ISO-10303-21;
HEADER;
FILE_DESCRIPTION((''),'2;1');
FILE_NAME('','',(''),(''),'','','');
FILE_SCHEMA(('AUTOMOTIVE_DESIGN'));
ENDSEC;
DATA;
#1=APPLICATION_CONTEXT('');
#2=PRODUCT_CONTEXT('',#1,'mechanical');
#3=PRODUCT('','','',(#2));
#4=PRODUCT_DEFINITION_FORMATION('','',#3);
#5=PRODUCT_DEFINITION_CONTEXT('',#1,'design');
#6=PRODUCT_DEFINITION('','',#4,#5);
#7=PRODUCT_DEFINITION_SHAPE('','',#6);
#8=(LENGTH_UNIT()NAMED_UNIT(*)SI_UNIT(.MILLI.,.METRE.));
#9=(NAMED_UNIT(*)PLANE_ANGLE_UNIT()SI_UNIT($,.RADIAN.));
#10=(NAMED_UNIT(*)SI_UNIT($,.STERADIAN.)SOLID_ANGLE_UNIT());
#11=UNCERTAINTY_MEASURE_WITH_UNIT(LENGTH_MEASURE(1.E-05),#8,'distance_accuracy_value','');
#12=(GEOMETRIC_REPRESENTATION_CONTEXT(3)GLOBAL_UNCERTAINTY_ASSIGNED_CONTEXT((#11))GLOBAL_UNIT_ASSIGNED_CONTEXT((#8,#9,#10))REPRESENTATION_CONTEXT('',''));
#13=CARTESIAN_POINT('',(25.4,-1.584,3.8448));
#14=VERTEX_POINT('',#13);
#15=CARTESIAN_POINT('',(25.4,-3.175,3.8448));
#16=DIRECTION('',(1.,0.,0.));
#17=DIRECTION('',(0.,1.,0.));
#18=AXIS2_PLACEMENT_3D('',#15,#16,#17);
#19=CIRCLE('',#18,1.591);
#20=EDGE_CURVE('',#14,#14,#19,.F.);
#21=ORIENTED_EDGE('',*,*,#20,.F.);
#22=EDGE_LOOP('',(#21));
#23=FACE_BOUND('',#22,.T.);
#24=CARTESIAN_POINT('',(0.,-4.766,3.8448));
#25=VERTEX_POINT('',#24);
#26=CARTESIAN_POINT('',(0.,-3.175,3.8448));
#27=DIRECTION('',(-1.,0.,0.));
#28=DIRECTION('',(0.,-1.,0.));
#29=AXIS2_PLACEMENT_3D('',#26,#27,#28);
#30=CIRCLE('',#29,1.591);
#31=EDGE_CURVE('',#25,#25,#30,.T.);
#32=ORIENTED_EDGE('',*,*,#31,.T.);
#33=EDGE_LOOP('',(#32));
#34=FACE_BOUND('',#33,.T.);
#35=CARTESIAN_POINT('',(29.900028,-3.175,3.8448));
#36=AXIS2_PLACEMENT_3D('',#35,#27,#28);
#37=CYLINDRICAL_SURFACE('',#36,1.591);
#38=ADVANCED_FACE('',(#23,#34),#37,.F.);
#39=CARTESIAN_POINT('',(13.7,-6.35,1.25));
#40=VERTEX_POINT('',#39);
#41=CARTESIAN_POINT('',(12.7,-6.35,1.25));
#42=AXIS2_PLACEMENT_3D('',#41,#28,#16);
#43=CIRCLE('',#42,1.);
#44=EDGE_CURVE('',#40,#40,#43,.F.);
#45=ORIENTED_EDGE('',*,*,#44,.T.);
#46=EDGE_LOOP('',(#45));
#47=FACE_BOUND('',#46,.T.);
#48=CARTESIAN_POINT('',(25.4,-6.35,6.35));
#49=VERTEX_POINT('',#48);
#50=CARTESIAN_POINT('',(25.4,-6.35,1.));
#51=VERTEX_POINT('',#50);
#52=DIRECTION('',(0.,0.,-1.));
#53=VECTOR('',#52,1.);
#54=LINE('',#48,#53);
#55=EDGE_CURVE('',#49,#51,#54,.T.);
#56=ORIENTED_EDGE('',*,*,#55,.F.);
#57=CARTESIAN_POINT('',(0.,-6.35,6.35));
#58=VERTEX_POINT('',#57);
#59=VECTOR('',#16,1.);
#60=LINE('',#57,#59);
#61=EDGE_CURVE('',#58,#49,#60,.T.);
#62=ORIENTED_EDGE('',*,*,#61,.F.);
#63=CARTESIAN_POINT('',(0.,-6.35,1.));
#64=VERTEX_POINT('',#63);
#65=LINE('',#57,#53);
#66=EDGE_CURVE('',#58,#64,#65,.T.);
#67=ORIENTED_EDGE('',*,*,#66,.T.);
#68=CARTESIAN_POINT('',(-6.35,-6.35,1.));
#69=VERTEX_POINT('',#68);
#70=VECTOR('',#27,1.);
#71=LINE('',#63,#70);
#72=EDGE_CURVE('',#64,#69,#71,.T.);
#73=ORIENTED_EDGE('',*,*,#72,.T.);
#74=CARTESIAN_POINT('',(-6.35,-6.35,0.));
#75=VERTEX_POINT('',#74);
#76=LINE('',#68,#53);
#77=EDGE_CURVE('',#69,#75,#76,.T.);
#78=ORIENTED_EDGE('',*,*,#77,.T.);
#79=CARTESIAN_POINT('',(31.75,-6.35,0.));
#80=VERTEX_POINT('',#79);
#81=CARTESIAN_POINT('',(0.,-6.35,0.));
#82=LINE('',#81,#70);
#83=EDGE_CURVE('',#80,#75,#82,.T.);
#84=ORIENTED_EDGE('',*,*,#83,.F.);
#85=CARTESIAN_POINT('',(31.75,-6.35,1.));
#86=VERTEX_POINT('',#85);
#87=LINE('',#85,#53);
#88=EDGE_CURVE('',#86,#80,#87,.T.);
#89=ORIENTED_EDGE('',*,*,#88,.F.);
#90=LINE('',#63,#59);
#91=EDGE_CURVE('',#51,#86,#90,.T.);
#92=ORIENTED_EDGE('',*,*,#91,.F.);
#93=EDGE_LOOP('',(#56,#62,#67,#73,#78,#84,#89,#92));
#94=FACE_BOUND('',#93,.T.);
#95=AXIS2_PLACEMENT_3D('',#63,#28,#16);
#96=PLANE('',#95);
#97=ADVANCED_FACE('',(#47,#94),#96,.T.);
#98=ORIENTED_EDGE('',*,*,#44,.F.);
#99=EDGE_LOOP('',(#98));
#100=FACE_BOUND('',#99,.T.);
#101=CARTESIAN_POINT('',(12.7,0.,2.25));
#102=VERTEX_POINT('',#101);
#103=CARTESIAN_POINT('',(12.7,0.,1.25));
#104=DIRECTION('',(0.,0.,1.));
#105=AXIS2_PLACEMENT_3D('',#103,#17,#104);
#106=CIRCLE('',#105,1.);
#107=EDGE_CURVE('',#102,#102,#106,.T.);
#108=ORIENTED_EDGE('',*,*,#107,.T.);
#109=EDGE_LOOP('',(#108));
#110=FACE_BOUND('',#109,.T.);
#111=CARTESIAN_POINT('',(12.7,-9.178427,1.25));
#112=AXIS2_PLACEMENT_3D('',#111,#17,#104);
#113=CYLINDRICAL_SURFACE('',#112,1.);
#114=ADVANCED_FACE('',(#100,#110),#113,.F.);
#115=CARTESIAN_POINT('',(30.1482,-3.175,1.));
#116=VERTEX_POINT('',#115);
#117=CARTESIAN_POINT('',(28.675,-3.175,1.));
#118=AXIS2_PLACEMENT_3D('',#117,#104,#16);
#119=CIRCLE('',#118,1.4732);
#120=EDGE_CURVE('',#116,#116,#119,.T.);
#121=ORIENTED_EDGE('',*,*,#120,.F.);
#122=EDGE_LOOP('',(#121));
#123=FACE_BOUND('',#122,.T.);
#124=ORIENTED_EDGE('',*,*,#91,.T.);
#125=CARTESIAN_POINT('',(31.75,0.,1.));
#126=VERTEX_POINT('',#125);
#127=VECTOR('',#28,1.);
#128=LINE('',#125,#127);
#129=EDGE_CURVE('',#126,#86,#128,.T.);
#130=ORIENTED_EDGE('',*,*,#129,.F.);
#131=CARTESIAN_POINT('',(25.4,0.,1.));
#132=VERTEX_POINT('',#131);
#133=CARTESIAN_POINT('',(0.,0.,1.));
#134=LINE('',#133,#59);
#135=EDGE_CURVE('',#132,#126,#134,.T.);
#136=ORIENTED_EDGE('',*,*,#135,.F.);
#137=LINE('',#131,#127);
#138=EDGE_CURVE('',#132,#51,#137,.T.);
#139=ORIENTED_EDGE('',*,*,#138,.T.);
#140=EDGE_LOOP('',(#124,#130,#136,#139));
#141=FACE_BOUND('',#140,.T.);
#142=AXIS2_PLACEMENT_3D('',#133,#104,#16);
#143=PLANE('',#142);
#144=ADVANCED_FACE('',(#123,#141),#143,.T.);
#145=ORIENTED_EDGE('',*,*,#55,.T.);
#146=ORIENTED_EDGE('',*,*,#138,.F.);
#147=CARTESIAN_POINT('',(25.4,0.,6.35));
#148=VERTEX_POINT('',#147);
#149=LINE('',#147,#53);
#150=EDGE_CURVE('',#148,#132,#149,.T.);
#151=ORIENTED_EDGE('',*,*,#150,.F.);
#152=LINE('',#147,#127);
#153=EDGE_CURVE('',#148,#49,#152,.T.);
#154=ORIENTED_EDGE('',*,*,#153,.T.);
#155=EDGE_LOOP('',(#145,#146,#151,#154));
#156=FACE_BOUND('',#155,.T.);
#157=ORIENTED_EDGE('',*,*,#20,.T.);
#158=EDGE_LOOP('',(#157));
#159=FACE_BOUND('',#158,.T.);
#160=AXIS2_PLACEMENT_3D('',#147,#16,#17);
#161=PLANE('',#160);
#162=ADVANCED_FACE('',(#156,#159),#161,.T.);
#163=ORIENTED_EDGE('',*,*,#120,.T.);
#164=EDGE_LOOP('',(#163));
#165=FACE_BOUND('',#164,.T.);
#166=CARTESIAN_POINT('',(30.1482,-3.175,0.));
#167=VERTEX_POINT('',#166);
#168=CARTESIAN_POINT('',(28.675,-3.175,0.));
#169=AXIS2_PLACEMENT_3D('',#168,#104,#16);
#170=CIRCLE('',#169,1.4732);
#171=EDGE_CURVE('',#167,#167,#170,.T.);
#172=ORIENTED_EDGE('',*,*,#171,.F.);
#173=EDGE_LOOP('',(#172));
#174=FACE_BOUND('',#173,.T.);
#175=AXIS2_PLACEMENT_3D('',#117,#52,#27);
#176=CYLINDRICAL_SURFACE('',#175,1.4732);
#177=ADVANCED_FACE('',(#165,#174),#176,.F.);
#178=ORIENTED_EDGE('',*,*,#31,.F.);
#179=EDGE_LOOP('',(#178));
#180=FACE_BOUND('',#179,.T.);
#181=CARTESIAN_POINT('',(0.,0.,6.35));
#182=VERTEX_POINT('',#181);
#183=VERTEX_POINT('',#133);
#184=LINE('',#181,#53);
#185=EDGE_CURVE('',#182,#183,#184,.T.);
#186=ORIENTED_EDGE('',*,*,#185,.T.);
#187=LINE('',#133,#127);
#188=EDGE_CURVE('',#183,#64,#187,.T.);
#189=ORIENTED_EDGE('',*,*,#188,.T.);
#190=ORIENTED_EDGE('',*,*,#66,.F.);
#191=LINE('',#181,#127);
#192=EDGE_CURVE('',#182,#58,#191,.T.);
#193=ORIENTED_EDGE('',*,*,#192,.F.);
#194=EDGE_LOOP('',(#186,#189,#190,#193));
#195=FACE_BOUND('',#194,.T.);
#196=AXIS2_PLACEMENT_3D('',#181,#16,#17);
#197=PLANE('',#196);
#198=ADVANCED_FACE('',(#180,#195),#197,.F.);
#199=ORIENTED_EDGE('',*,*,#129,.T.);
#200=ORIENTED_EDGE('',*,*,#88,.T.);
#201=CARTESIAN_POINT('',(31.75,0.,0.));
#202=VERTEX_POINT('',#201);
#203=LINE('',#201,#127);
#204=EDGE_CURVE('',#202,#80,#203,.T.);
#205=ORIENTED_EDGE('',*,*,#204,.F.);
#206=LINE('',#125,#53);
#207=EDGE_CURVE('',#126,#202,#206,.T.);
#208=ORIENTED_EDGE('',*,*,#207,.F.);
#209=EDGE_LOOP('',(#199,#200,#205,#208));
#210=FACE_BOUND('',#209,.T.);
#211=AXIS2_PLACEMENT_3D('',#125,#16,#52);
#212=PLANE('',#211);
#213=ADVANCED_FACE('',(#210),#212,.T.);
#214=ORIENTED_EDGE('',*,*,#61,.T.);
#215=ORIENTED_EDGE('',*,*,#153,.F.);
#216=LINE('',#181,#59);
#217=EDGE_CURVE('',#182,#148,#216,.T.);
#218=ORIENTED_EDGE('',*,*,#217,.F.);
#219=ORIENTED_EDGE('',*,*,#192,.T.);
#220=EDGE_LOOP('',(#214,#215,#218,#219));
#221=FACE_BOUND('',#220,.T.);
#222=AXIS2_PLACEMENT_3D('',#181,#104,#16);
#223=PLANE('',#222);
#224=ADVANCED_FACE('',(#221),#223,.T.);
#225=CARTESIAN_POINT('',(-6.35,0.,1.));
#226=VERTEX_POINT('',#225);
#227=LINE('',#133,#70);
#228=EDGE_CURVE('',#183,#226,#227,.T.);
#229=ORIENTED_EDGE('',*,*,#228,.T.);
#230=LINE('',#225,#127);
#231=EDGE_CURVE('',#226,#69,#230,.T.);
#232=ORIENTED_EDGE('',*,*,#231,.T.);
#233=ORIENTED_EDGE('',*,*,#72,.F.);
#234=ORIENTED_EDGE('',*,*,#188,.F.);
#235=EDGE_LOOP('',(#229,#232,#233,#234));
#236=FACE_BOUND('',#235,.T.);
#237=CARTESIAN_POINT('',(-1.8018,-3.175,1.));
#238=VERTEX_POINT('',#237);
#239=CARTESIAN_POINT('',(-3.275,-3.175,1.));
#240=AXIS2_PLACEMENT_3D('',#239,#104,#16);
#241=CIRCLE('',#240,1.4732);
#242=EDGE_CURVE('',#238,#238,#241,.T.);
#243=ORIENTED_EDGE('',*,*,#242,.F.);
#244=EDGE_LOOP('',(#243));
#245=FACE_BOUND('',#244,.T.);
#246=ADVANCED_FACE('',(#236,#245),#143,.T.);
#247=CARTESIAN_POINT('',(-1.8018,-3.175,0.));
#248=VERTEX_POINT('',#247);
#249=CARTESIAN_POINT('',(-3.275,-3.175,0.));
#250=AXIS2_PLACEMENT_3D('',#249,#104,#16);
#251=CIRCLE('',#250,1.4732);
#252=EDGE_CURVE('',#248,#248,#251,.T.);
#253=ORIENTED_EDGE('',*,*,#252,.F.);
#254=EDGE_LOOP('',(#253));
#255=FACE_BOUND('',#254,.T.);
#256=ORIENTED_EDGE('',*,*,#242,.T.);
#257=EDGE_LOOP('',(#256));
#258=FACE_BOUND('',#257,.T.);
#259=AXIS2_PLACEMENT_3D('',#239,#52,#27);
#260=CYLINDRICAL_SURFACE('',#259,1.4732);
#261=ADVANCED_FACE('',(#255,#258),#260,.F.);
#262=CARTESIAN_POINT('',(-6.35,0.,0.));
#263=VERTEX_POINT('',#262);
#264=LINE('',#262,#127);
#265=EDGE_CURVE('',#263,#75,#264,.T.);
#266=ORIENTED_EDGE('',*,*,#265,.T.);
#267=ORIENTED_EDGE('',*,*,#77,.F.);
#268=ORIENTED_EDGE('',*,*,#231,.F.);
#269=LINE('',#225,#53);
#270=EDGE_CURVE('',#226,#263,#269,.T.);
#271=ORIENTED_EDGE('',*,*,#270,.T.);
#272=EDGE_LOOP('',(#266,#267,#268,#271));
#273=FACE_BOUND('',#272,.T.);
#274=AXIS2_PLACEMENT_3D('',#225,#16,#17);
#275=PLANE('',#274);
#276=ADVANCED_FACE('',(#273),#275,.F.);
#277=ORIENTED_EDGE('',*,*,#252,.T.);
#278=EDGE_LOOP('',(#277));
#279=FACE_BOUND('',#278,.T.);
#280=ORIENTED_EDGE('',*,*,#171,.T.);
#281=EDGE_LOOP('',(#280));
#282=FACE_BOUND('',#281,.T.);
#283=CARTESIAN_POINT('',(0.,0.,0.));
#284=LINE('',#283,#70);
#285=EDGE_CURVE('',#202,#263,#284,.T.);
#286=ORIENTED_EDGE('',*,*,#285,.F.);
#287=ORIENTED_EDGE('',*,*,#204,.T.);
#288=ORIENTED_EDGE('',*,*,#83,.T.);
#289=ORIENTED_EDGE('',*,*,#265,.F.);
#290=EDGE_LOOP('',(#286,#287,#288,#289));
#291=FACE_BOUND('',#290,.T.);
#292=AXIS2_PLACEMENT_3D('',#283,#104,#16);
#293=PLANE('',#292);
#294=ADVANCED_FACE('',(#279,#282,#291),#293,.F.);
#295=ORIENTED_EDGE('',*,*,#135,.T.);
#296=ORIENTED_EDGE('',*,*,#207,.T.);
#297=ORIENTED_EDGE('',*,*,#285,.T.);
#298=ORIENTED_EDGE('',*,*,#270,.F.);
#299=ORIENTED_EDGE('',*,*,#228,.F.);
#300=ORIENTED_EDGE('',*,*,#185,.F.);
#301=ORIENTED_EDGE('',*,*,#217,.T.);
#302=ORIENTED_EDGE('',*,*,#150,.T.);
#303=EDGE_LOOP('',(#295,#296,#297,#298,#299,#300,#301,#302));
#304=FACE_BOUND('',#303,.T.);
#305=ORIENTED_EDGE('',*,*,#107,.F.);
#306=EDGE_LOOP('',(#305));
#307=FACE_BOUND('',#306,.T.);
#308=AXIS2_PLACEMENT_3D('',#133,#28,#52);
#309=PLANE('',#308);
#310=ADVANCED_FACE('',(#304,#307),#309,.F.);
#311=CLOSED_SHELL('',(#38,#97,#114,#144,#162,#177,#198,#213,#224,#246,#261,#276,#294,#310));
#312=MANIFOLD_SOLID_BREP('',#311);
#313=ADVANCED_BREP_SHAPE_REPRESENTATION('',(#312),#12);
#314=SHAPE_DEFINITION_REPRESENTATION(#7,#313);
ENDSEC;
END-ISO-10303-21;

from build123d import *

# Parameters (mm, degrees)
SKETCH1_W             = 6.35
SKETCH1_H             = 6.35
SKETCH1_R             = 1.4732
BOSS_EXTRUDE1_DEPTH   = 1
BOSS_EXTRUDE1_2_DEPTH = 1
SKETCH1_3_W           = 25.4
SKETCH1_3_H           = 6.35
BOSS_EXTRUDE2_DEPTH   = 6.35
SKETCH2_R             = 1.591
CUT_EXTRUDE1_DEPTH    = 25.4
SKETCH3_R             = 1
CUT_EXTRUDE2_DEPTH    = 6.35


with BuildPart() as part:
    # Sketch1 → Boss-Extrude1 (new body)
    with BuildSketch(Plane.XY):
        with Locations((-3.175, -3.175)):
            Rectangle(SKETCH1_W, SKETCH1_H)
        with Locations((-3.275, -3.175)):
            Circle(SKETCH1_R, mode=Mode.SUBTRACT)
    extrude(amount=BOSS_EXTRUDE1_DEPTH)



with BuildPart() as body_2:
    # Sketch1 → Boss-Extrude1 2 (new body)
    with BuildSketch(Plane.XY):
        with Locations((28.575, -3.175)):
            Rectangle(SKETCH1_W, SKETCH1_H)
        with Locations((28.675, -3.175)):
            Circle(SKETCH1_R, mode=Mode.SUBTRACT)
    extrude(amount=BOSS_EXTRUDE1_2_DEPTH)


with BuildPart() as part_1:
    add(part.part)

    add(body_2.part)  # Boss-Extrude2 merges body 2
    # Sketch1<3> → Boss-Extrude2 (add)
    with BuildSketch(Plane.XY):
        with Locations((12.7, -3.175)):
            Rectangle(SKETCH1_3_W, SKETCH1_3_H)
    extrude(amount=BOSS_EXTRUDE2_DEPTH)

    # Sketch2 → Cut-Extrude1 (cut)
    with BuildSketch(Plane.ZY):
        with Locations(Location((3.8448, -3.175, 0), (0, 0, 270))):
            Circle(SKETCH2_R)
    extrude(amount=-CUT_EXTRUDE1_DEPTH, mode=Mode.SUBTRACT)

    # Sketch3 → Cut-Extrude2 (cut)
    with BuildSketch(Plane(origin=(0, 0, 0), x_dir=(1, 0, 0), z_dir=(0, 1, 0))):
        with Locations(Location((12.7, -1.25, 0), (0, 0, 270))):
            Circle(SKETCH3_R)
    extrude(amount=-CUT_EXTRUDE2_DEPTH, mode=Mode.SUBTRACT)


solid = part_1.part
